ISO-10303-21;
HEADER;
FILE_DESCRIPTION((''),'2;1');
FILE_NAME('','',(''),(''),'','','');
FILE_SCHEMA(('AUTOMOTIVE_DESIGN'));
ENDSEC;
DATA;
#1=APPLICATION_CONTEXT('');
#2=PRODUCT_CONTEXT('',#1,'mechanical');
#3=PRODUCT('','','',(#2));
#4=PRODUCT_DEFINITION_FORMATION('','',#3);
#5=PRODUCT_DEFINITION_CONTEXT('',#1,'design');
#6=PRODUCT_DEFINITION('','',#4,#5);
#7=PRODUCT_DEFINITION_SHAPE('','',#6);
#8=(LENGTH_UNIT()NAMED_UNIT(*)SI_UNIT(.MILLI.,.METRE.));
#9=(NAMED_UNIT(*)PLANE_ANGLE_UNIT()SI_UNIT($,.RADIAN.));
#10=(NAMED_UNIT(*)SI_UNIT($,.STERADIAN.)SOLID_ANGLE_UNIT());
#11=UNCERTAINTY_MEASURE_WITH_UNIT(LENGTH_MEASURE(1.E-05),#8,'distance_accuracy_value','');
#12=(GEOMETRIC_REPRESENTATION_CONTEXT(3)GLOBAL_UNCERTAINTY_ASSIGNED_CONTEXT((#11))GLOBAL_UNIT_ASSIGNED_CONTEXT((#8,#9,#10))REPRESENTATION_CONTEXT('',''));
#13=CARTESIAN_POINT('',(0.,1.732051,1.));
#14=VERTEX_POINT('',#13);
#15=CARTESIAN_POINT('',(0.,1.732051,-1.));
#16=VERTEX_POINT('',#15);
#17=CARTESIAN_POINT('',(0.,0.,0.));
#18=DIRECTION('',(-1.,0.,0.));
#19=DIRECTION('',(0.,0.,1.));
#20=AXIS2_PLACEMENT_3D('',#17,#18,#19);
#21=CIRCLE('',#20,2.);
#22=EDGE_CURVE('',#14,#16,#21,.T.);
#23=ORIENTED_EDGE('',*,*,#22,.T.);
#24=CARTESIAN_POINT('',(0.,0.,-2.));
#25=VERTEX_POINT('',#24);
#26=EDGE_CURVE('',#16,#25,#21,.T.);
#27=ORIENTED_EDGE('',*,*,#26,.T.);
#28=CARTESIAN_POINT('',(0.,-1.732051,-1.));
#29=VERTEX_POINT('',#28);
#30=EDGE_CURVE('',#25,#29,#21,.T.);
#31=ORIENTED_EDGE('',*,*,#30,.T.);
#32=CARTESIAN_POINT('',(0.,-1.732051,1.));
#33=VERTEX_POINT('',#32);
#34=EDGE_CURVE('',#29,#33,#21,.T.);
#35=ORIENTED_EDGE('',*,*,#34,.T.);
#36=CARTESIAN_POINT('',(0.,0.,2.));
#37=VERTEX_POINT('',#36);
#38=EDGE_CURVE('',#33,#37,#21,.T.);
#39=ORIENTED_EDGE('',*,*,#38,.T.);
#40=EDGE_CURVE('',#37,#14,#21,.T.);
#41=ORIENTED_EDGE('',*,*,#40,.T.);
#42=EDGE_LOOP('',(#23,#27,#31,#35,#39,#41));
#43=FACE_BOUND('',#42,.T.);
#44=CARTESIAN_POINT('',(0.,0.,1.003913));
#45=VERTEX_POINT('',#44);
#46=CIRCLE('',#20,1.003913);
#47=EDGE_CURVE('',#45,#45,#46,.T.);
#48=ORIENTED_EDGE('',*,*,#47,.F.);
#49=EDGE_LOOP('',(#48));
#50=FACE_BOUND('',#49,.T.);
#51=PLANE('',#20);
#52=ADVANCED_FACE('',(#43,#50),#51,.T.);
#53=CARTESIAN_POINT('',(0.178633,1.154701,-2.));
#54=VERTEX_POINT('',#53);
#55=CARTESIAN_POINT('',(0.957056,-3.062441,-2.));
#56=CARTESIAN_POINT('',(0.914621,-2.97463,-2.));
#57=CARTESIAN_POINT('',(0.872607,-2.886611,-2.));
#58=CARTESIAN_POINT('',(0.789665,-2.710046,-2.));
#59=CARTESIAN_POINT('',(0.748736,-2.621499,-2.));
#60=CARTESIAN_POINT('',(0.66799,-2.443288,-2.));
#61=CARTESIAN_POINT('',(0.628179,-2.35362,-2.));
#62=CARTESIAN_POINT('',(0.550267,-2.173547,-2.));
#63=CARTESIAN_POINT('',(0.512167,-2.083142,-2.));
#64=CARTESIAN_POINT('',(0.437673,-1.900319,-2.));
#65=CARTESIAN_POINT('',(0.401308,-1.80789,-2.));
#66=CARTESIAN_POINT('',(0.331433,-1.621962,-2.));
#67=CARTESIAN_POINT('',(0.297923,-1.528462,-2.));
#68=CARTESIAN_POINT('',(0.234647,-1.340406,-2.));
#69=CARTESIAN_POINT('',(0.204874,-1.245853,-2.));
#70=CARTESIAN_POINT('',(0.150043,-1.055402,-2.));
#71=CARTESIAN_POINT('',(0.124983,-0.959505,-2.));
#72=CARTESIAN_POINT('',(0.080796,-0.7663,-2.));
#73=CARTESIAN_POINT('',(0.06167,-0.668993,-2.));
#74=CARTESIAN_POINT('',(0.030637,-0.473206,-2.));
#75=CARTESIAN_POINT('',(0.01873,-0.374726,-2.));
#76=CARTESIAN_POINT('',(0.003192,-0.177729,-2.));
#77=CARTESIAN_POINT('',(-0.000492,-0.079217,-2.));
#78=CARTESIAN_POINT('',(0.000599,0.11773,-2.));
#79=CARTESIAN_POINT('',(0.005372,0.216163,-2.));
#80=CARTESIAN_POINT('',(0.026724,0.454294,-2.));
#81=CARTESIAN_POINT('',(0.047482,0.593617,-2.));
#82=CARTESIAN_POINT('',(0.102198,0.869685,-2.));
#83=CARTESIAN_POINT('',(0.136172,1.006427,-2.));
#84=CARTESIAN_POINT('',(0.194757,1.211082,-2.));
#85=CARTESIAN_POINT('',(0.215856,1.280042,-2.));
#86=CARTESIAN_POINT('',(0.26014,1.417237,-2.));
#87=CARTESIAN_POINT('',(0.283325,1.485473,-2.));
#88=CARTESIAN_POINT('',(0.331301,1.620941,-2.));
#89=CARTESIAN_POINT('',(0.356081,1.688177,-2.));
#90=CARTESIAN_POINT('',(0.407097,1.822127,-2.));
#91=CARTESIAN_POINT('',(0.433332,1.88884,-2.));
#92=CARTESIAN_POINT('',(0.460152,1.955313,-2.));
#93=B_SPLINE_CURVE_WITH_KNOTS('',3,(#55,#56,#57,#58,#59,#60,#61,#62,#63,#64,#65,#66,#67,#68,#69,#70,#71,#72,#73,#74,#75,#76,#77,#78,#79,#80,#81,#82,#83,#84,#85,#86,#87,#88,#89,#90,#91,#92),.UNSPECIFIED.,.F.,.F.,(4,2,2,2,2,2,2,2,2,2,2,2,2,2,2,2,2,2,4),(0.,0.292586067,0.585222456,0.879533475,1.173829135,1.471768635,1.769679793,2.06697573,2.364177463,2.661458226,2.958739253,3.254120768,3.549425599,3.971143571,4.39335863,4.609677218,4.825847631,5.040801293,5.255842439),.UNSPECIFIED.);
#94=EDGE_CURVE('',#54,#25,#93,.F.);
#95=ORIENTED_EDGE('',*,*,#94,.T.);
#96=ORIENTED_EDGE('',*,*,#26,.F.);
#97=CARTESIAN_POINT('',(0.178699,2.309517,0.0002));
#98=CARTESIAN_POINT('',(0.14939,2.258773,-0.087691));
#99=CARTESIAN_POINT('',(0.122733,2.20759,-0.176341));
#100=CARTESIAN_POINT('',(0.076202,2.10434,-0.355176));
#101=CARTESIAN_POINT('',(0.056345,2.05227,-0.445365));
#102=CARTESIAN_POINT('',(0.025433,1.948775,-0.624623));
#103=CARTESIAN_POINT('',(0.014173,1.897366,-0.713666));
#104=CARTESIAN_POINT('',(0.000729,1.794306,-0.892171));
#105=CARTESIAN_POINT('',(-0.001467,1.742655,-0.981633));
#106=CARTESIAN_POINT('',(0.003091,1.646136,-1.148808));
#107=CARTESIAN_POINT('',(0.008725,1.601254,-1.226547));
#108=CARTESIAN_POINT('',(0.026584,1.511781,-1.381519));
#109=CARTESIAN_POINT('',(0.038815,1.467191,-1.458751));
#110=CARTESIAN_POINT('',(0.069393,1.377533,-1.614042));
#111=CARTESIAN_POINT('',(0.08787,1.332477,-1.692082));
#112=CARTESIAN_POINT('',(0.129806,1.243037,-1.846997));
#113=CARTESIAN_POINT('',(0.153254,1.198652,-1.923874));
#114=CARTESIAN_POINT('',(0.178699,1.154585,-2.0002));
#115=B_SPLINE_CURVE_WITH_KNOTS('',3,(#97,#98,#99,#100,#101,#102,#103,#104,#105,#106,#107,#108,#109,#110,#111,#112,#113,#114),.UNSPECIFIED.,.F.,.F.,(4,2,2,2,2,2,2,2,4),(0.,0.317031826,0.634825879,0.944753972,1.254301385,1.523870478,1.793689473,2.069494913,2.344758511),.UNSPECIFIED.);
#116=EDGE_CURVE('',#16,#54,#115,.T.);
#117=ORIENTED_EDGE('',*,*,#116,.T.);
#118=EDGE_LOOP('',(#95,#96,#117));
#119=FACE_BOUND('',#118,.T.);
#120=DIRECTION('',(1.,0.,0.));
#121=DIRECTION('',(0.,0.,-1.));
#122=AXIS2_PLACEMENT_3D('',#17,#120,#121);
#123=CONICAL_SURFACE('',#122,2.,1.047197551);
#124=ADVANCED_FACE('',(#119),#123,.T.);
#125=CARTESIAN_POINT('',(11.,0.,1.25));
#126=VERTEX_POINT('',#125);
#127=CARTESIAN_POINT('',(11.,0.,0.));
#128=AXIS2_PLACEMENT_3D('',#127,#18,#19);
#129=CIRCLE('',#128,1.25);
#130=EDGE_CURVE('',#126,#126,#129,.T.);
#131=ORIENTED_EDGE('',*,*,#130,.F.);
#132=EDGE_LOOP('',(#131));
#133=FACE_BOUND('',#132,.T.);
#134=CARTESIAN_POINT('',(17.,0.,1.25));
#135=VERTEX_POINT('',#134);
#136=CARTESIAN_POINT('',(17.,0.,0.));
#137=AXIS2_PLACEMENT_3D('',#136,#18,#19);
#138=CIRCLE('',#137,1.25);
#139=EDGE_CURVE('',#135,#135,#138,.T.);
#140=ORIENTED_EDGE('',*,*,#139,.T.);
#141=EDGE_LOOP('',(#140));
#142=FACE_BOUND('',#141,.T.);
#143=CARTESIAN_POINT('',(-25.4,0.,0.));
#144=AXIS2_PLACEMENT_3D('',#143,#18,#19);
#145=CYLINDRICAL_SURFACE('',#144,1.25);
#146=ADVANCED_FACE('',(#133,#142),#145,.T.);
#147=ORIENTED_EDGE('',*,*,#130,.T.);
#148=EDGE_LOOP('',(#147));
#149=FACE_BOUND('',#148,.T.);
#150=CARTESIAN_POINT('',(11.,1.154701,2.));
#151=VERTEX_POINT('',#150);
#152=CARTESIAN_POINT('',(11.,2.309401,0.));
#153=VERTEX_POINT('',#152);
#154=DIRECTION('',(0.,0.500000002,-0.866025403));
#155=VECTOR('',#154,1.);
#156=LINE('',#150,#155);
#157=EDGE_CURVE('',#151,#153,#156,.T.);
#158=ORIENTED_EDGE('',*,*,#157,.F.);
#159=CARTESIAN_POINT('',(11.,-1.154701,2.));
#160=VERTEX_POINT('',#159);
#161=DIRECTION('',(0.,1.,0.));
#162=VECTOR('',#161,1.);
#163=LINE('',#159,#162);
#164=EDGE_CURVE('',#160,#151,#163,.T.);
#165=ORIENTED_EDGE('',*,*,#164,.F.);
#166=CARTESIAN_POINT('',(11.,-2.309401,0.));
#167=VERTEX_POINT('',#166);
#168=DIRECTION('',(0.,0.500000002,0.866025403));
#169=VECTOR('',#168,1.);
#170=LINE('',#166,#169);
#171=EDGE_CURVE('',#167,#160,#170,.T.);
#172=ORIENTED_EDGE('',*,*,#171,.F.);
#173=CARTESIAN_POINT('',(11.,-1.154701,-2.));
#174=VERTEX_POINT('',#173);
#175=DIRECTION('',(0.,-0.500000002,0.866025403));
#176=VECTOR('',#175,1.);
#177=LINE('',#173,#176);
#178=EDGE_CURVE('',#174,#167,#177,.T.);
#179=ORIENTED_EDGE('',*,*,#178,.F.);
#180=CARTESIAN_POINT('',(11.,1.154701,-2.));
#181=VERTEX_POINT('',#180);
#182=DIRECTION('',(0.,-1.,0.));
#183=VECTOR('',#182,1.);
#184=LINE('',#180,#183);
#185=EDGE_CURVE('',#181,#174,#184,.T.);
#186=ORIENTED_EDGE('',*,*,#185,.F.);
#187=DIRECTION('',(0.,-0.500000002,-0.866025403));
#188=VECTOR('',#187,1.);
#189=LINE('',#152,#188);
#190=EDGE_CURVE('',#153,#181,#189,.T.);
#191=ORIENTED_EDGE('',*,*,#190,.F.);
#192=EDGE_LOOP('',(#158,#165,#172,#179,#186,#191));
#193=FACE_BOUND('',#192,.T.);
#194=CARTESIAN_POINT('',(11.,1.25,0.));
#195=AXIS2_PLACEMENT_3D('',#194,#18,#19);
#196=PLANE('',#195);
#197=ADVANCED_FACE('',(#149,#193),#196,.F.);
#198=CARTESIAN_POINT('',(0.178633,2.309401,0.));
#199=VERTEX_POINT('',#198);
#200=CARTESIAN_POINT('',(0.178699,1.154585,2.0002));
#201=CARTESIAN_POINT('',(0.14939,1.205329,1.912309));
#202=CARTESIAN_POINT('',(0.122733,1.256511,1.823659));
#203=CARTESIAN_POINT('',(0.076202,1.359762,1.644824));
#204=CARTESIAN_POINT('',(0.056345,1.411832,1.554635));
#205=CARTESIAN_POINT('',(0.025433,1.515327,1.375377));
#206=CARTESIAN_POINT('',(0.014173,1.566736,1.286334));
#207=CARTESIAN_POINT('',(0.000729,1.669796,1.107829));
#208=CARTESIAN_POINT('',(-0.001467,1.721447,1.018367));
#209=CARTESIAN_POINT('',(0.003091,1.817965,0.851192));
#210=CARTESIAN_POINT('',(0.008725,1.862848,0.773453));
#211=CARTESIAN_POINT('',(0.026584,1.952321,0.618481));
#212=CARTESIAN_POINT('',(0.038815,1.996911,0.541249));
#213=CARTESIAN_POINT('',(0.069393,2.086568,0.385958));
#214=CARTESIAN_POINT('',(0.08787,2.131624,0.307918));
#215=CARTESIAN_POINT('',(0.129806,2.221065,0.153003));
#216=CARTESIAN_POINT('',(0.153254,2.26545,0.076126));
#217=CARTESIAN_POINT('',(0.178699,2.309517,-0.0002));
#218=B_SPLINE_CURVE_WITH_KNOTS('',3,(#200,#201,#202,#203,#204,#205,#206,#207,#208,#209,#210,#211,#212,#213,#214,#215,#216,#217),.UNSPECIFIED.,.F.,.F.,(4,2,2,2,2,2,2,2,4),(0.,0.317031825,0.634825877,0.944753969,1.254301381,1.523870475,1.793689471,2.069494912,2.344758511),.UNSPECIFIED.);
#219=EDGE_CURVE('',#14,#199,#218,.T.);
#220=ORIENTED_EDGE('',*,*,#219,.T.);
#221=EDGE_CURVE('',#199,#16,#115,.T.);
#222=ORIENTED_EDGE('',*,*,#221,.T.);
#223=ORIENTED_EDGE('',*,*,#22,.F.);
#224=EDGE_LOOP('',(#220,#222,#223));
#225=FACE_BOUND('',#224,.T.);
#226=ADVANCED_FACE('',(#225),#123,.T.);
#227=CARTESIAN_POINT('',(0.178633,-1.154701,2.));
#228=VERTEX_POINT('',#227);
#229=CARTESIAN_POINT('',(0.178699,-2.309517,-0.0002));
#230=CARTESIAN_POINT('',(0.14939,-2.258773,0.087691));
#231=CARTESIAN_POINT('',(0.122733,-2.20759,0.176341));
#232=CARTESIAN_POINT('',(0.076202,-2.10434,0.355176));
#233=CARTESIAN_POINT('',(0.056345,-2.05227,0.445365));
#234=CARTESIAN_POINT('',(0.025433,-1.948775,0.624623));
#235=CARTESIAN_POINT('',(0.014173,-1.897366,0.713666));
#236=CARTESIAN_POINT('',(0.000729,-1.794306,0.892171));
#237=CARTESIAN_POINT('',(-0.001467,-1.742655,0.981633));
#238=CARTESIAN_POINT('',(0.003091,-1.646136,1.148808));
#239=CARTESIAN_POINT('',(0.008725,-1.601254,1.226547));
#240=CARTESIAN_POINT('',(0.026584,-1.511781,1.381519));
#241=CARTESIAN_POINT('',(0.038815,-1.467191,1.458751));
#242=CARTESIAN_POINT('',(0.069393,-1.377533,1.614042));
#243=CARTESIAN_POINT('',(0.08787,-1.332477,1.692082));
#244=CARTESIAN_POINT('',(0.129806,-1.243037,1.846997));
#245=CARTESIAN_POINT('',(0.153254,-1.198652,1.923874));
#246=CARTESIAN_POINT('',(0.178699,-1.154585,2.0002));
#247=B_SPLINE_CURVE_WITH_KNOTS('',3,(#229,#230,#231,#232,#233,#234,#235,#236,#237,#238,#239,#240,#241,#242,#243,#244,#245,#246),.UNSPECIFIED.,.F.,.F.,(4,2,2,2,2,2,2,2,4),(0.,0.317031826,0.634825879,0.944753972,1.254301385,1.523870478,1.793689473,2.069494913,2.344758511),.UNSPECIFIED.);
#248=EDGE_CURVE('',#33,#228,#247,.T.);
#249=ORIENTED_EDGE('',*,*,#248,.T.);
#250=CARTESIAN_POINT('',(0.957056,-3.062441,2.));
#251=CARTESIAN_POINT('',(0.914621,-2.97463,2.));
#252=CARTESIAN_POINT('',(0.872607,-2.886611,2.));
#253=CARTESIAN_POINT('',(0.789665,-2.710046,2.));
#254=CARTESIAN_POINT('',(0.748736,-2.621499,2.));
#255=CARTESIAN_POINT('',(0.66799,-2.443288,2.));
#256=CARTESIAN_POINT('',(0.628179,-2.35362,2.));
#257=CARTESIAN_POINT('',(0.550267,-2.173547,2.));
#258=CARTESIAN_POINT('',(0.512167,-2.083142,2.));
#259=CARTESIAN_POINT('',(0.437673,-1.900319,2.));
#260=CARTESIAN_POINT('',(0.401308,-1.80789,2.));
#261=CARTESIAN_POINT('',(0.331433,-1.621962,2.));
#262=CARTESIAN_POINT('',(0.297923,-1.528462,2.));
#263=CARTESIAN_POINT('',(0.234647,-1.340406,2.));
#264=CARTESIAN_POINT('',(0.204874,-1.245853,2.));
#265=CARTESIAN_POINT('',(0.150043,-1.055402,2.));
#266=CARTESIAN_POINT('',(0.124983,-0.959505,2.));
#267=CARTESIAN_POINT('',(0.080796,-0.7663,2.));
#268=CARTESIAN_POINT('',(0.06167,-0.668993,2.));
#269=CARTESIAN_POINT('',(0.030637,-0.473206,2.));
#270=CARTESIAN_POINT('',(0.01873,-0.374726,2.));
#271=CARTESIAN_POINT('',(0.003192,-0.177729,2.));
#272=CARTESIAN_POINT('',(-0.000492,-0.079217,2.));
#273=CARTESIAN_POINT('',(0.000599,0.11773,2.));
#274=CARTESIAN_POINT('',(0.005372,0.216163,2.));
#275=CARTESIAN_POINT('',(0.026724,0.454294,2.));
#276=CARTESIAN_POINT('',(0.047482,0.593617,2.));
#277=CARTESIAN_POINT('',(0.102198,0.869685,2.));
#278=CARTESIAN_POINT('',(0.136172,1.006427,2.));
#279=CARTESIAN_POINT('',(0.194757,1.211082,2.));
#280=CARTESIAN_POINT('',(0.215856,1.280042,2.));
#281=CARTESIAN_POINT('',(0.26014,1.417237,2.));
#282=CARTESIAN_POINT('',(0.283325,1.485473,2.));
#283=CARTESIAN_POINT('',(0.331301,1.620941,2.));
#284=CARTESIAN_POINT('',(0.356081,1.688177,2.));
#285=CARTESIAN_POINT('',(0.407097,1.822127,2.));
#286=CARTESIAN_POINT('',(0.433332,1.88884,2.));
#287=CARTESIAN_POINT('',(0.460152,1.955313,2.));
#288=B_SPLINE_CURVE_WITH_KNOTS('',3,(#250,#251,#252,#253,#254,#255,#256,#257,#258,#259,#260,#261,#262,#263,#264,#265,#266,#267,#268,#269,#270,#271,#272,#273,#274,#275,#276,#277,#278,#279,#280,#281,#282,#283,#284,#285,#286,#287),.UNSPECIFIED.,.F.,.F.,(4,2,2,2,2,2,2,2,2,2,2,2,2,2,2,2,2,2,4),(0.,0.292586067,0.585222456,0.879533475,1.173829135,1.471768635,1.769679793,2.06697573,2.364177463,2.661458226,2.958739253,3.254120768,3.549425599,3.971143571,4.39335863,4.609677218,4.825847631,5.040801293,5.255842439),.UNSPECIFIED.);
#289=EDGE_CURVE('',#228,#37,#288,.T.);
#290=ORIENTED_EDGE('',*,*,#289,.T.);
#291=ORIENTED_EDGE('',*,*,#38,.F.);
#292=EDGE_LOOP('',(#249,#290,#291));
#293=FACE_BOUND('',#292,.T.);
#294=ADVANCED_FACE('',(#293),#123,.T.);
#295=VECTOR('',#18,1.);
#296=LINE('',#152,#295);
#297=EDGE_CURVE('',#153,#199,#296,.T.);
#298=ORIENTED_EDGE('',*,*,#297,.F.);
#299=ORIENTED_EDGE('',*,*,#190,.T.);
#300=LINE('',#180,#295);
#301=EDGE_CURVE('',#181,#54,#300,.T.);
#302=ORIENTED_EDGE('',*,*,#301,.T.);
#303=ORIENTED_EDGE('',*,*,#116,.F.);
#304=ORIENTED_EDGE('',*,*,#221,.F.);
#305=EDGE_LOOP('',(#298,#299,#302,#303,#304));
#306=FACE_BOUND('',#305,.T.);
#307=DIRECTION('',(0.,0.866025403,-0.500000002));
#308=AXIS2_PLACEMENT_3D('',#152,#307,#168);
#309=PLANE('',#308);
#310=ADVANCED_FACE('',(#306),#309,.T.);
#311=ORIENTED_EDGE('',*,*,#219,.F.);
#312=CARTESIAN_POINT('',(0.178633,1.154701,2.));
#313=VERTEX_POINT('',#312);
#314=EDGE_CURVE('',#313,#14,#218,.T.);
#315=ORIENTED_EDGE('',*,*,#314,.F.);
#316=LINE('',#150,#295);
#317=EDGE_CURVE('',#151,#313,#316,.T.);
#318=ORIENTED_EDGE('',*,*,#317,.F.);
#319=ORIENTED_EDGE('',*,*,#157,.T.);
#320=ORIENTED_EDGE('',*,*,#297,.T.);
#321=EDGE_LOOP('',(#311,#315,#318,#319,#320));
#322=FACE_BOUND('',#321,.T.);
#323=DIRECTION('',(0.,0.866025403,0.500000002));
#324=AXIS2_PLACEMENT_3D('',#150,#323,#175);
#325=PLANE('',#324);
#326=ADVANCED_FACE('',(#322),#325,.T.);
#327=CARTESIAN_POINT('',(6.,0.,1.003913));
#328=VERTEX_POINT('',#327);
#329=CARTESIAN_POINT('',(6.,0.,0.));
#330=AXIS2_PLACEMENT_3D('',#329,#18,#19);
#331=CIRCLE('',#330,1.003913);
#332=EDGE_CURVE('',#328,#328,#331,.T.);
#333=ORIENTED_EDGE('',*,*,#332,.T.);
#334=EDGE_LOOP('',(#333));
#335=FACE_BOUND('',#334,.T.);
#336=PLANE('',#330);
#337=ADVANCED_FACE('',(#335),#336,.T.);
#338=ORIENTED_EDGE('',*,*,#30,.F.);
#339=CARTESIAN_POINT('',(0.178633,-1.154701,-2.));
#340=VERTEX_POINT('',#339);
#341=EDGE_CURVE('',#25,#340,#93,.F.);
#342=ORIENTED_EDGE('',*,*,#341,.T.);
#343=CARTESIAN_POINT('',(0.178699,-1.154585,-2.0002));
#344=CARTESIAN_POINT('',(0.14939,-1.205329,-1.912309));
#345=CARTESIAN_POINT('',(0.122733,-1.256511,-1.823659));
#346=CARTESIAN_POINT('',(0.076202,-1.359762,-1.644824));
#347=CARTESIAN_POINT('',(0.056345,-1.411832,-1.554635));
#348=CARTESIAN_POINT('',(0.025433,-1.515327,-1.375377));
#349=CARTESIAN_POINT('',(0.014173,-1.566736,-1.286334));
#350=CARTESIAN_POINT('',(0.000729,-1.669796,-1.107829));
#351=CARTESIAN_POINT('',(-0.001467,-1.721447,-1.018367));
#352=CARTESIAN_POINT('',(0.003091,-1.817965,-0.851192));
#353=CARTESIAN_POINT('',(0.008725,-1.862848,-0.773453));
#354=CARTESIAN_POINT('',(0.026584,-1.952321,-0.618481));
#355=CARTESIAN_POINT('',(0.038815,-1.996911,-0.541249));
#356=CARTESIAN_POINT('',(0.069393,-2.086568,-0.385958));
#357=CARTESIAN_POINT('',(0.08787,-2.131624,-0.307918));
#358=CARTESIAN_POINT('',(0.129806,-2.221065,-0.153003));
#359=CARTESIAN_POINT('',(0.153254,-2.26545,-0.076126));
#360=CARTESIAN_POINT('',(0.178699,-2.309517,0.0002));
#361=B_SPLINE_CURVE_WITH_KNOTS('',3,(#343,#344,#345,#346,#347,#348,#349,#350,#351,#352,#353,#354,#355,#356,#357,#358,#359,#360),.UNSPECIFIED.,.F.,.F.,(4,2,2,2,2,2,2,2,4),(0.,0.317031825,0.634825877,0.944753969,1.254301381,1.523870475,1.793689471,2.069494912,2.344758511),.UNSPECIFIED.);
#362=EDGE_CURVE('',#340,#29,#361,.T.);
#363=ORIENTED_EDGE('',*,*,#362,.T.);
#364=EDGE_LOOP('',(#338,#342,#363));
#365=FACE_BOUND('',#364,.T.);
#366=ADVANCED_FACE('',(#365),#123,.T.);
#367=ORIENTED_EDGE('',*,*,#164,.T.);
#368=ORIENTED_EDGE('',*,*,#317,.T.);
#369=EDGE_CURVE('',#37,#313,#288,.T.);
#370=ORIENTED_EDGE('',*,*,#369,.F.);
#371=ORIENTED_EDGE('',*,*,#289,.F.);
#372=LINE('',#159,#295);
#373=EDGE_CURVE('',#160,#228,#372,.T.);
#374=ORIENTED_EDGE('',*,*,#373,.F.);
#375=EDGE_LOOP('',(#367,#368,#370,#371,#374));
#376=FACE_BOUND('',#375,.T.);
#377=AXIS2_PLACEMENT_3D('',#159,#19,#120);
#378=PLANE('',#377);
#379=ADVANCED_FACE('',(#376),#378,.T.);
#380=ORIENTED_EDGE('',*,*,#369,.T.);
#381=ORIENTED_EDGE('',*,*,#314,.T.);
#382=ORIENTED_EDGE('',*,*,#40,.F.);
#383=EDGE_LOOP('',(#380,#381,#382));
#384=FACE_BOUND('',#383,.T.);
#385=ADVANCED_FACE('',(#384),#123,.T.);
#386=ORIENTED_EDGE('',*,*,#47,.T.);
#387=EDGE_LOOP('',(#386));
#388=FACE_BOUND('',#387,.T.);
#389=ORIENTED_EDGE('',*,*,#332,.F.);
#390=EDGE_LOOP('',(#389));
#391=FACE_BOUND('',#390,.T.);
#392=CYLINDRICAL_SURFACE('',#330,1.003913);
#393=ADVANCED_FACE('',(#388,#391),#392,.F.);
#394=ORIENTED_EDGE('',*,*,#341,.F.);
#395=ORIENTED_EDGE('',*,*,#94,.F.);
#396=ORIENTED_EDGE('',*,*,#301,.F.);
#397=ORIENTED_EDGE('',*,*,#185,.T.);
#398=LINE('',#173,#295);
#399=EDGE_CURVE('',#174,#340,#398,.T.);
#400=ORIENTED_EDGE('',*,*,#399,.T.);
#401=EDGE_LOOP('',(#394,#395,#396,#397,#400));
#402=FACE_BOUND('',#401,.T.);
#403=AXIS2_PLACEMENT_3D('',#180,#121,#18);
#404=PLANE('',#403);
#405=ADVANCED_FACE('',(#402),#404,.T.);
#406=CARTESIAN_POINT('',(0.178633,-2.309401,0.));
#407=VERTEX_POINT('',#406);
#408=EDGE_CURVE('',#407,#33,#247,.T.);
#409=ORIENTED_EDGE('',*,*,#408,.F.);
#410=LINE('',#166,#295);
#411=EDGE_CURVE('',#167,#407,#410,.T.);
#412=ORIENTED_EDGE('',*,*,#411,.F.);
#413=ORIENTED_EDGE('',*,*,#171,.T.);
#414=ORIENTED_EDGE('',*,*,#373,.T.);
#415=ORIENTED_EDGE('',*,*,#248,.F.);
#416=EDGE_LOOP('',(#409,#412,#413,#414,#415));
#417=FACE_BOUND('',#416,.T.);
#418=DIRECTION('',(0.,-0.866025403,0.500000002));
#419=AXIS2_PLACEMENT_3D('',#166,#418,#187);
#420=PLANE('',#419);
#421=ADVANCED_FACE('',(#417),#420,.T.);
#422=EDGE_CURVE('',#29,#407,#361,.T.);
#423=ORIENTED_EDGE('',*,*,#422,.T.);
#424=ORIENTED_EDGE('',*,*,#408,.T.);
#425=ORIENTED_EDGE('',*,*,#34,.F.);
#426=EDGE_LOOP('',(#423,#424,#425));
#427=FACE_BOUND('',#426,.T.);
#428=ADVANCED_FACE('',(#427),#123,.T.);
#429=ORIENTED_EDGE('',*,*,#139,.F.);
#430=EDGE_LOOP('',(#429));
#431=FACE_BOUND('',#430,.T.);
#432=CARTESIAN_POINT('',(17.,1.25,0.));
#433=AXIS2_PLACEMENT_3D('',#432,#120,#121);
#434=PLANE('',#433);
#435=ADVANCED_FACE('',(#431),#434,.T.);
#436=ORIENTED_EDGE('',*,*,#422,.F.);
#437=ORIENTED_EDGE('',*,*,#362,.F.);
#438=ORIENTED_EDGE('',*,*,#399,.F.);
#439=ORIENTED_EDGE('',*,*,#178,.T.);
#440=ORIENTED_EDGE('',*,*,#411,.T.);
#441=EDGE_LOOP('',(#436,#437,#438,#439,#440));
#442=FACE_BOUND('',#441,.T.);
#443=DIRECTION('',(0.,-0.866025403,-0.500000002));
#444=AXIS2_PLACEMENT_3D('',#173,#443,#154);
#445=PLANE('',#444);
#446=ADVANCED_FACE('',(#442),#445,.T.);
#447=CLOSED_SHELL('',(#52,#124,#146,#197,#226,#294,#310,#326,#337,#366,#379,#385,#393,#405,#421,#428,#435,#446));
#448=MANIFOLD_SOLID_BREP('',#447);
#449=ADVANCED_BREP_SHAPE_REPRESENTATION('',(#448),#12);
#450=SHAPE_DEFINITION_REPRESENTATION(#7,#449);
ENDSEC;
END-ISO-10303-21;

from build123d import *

# Parameters (mm, degrees)
SKETCH2_R          = 2.33256351
HEX_DIE_DEPTH      = 11
SKETCH5_R          = 1.003913097
CUT_EXTRUDE1_DEPTH = 6


with BuildPart() as part:
    # BodySke → Base-Revolve (revolve)
    with BuildSketch(Plane.XY, mode=Mode.PRIVATE) as base_revolve_sk:
        Polygon((11, 1.25), (11, 2.309468822), (0.178671908, 2.309468822), (0, 2), (0, 0), (17, 0), (17, 1.25), align=None)
    revolve(base_revolve_sk.sketch.rotate(Axis((-25.4, 0, 0), (1, 0, 0)), 90), axis=Axis((-25.4, 0, 0), (1, 0, 0)))

    # Sketch2 → Hex-Die (cut)
    with BuildSketch(Plane(origin=(0, 0, 0), x_dir=(0, 0, -1), z_dir=(1, 0, 0))):
        Circle(SKETCH2_R)
        Polygon((-2, 1.154700543), (0, 2.309401087), (2, 1.154700543), (2, -1.154700543), (0, -2.309401087), (-2, -1.154700543), align=None, mode=Mode.SUBTRACT)
    extrude(amount=HEX_DIE_DEPTH, mode=Mode.SUBTRACT)

    # Sketch5 → Cut-Extrude1 (cut)
    with BuildSketch(Plane.ZY):
        Circle(SKETCH5_R)
    extrude(amount=-CUT_EXTRUDE1_DEPTH, mode=Mode.SUBTRACT)


solid = part.part
